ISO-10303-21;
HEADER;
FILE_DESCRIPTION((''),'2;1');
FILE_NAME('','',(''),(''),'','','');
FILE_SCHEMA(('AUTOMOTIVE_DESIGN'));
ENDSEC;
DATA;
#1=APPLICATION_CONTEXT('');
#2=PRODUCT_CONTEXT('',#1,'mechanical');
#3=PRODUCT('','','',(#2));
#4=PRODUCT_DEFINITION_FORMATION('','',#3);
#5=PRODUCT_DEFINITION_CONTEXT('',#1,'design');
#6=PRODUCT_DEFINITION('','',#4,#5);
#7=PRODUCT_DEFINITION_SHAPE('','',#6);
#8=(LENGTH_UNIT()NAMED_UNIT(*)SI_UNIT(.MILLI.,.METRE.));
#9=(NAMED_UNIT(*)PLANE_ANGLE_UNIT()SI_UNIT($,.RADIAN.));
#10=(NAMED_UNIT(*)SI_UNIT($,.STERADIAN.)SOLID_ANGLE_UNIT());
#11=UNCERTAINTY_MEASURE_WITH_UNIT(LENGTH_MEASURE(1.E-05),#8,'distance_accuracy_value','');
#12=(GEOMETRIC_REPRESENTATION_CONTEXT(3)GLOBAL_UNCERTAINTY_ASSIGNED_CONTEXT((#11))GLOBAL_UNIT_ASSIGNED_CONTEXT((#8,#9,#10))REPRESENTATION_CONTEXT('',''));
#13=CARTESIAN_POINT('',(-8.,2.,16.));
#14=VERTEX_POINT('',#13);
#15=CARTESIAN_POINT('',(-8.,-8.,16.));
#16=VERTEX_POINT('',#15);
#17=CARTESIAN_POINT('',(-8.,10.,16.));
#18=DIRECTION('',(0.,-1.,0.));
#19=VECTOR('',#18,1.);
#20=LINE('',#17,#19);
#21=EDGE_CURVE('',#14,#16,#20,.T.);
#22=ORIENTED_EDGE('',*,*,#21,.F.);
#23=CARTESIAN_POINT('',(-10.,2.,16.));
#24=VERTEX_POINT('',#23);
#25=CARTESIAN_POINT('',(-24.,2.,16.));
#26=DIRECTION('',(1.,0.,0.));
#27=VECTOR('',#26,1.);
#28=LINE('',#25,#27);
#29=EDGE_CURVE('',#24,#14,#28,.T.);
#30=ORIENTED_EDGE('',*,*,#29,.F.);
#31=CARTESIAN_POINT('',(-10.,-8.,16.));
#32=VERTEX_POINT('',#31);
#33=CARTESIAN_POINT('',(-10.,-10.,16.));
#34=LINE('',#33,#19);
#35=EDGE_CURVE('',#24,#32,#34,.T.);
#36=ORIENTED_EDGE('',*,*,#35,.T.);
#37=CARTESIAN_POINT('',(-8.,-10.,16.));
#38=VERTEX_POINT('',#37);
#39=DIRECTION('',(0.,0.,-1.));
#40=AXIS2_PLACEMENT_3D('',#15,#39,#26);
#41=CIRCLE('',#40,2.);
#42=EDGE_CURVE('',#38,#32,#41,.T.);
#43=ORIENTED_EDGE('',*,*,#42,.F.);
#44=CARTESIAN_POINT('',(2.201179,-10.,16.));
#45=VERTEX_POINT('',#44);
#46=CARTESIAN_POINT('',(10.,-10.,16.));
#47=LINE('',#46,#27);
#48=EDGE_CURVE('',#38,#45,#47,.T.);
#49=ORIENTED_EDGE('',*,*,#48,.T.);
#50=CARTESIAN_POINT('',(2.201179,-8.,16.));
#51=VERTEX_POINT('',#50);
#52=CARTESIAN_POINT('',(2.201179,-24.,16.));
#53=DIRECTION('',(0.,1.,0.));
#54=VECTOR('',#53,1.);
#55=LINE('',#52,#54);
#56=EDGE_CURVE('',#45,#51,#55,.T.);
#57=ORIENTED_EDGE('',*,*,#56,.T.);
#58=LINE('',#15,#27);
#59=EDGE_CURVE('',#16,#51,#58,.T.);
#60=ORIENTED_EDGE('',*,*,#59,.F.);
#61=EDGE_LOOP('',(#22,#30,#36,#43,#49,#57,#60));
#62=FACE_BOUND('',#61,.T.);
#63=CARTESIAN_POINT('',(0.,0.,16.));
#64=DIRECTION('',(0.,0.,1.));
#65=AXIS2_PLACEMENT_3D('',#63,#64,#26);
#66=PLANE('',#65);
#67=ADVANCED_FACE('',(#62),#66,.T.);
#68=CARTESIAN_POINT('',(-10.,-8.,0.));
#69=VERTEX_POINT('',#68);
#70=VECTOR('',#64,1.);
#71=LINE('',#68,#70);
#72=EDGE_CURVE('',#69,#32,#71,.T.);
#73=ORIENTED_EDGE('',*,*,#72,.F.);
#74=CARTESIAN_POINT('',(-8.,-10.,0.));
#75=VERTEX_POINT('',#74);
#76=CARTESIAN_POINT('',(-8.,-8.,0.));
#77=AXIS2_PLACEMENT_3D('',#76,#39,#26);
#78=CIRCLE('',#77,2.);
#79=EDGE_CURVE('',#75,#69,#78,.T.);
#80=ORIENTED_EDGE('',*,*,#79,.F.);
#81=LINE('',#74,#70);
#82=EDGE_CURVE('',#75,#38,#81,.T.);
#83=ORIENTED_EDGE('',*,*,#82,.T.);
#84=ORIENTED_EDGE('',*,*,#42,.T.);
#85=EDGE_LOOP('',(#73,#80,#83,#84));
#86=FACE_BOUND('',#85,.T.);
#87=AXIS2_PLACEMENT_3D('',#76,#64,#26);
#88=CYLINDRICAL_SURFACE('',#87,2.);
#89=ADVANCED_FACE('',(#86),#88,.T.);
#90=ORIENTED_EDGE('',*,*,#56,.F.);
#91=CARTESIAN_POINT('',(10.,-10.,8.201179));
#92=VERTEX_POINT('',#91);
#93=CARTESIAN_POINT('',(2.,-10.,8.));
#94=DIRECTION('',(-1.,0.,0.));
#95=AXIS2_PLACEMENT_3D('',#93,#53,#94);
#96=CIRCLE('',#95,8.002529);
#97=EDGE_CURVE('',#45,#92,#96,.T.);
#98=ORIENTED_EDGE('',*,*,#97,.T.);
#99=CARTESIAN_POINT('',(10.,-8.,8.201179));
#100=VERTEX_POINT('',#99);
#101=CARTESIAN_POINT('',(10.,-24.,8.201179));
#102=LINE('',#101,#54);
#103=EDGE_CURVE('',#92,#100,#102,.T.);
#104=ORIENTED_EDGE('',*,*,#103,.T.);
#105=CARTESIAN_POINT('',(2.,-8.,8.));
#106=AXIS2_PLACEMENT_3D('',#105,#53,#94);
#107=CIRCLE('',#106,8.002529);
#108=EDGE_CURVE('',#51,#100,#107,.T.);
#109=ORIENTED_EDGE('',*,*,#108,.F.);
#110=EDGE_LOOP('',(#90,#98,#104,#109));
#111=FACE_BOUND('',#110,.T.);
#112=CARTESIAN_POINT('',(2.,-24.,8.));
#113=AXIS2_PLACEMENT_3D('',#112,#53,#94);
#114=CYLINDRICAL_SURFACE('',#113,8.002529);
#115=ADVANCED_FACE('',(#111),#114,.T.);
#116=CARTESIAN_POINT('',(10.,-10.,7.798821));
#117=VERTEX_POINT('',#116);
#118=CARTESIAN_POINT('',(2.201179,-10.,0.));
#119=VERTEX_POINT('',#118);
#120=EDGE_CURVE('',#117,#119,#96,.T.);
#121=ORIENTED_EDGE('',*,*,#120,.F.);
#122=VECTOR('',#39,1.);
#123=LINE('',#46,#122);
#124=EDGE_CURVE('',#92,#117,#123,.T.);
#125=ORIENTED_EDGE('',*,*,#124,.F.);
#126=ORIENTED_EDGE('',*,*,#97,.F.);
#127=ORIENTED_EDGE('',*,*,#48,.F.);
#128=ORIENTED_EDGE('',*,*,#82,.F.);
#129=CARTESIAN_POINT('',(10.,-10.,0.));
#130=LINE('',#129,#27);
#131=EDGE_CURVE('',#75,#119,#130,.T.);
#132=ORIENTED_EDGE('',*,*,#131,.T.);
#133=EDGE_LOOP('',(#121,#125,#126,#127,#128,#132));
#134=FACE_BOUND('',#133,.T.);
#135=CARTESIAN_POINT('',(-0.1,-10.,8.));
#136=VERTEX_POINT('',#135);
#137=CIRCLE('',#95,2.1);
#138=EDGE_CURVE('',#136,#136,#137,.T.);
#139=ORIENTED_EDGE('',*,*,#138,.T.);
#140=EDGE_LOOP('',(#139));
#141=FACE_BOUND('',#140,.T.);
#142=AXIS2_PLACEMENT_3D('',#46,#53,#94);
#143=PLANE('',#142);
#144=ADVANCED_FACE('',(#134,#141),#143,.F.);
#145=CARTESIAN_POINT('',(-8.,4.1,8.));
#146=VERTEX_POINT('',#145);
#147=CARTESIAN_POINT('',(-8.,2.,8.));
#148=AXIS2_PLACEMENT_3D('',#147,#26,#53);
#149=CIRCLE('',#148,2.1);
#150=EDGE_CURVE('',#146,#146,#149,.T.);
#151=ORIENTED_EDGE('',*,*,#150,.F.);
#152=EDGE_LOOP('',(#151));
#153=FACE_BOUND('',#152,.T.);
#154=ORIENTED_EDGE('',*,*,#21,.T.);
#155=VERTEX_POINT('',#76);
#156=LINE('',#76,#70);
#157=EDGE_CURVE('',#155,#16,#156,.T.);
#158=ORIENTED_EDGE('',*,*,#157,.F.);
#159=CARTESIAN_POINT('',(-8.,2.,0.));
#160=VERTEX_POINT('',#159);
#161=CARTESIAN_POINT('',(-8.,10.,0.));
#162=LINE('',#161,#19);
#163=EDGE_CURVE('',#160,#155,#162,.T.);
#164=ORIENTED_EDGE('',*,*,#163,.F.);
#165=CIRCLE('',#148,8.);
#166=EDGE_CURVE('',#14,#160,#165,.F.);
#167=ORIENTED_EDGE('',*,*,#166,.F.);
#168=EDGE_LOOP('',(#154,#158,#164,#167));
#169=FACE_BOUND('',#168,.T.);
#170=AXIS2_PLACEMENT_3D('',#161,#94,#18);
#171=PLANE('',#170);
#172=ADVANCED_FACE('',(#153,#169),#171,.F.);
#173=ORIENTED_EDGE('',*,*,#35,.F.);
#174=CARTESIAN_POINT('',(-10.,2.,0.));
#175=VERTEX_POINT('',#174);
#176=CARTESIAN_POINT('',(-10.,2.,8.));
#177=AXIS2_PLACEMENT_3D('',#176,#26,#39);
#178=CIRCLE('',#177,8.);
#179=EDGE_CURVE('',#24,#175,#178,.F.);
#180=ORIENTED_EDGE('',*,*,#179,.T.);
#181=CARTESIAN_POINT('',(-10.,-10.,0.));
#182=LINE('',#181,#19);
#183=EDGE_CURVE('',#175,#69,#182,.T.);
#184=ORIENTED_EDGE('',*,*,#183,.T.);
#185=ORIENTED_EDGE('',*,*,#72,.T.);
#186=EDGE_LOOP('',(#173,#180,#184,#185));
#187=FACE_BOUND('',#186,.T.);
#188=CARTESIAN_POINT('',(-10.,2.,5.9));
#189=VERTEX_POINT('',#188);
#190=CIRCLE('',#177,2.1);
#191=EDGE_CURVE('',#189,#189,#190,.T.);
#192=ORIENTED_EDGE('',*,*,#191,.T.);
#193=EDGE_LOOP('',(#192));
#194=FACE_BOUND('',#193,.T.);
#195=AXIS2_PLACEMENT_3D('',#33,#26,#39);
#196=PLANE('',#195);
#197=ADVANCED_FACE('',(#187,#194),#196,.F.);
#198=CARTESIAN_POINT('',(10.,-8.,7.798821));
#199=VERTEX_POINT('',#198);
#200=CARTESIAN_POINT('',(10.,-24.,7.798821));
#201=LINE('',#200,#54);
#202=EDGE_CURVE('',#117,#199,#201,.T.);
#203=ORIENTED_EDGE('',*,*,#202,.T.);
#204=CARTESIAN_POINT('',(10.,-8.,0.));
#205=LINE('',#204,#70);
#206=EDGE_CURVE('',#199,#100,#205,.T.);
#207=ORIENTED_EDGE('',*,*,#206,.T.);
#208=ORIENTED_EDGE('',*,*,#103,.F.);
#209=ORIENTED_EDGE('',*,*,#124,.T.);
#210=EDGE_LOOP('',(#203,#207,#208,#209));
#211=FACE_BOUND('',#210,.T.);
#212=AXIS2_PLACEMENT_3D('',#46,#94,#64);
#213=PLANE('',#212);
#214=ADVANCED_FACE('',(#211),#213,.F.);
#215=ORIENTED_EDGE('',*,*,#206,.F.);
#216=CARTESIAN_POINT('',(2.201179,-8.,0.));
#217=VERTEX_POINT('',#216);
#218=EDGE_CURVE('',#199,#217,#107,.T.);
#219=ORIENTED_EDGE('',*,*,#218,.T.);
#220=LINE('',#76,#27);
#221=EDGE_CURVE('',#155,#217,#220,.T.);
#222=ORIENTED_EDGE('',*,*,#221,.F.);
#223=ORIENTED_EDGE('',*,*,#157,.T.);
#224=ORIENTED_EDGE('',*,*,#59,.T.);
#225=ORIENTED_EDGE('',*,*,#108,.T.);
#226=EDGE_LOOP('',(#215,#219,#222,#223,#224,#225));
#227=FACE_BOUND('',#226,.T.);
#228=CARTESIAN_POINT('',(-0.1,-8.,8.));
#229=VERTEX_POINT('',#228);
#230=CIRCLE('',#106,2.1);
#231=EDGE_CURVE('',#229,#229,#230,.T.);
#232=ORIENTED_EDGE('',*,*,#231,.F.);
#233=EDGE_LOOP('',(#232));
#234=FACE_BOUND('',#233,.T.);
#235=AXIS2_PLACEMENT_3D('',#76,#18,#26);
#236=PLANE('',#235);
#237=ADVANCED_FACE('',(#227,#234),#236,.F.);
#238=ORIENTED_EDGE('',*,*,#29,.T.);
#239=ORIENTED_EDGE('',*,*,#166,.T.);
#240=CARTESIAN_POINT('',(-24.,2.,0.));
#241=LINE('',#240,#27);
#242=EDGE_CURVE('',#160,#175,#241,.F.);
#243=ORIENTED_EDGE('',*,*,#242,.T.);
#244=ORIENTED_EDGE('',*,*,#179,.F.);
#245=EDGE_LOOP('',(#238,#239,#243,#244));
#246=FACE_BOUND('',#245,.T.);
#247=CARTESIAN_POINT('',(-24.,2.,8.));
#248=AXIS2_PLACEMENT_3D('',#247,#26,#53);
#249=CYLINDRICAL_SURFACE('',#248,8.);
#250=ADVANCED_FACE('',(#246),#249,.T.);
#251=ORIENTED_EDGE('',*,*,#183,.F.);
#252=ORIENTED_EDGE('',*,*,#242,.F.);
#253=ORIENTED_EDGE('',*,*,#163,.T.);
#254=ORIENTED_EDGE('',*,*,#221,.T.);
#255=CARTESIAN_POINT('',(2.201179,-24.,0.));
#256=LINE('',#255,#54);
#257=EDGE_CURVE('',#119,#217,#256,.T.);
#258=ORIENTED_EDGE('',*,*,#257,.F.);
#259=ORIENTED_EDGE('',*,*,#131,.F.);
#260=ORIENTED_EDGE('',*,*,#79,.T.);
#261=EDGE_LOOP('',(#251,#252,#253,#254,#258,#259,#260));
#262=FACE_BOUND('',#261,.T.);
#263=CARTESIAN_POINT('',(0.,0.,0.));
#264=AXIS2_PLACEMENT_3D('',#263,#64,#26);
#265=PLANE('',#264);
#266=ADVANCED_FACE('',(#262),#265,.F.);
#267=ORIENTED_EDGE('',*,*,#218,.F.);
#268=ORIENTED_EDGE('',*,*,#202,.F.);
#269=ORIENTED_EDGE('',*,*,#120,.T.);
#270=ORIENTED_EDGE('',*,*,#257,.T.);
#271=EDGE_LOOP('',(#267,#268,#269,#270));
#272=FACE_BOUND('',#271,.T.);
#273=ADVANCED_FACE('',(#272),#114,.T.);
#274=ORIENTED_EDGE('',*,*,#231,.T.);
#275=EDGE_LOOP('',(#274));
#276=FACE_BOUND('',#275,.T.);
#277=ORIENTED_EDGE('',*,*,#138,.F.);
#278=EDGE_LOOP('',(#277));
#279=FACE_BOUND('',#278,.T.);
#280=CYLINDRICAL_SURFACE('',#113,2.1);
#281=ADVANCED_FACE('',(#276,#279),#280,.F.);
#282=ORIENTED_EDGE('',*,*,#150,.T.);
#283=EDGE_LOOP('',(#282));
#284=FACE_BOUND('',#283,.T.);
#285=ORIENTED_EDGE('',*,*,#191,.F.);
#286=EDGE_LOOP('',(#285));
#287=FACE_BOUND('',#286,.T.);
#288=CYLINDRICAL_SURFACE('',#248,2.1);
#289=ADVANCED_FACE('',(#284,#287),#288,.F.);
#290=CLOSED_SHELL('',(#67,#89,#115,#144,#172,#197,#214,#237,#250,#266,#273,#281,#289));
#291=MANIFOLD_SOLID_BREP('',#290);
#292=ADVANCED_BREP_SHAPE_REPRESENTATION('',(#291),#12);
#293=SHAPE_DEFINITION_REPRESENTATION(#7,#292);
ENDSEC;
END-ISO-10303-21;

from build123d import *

# Parameters (mm, degrees)
SKETCH_1_W          = 20
SKETCH_1_H          = 20
EXTRUDE_1_DEPTH     = 16
SKETCH_2_W          = 18
SKETCH_2_H          = 18
CUT_EXTRUDE_1_DEPTH = 16
SKETCH_3_R          = 2.1
CUT_EXTRUDE_2_DEPTH = 16
SKETCH_4_R          = 2.1
CUT_EXTRUDE_3_DEPTH = 16
CUT_EXTRUDE_4_DEPTH = 16
CUT_EXTRUDE_5_DEPTH = 16
CUT_EXTRUDE_6_DEPTH = 16


with BuildPart() as part:
    # 草图1 → 凸台-拉伸1 (new body)
    with BuildSketch(Plane.XY):
        Rectangle(SKETCH_1_W, SKETCH_1_H)
    extrude(amount=EXTRUDE_1_DEPTH)

    # 草图2 → 切除-拉伸1 (cut)
    with BuildSketch(Plane.XY.offset(16)):
        with Locations((1, 1)):
            Rectangle(SKETCH_2_W, SKETCH_2_H)
    extrude(amount=-CUT_EXTRUDE_1_DEPTH, mode=Mode.SUBTRACT)

    # 草图3 → 切除-拉伸2 (cut)
    with BuildSketch(Plane(origin=(-8, 0, 0), x_dir=(0, 0, -1), z_dir=(1, 0, 0))):
        with Locations(Location((-8, 2, 0), (0, 0, 90))):
            Circle(SKETCH_3_R)
    extrude(amount=-CUT_EXTRUDE_2_DEPTH, mode=Mode.SUBTRACT)

    # 草图4 → 切除-拉伸3 (cut)
    with BuildSketch(Plane(origin=(0, -8, 0), x_dir=(1, 0, 0), z_dir=(0, 1, 0))):
        with Locations(Location((2, -8, 0), (0, 0, 180))):
            Circle(SKETCH_4_R)
    extrude(amount=-CUT_EXTRUDE_3_DEPTH, mode=Mode.SUBTRACT)

    # 草图5 → 切除-拉伸4 (cut)
    with BuildSketch(Plane(origin=(-8, 0, 0), x_dir=(0, 0, -1), z_dir=(1, 0, 0))):
        with BuildLine():
            Line((-16, 10), (-16, 2))
            ThreePointArc((-16, 2), (-13.656854261, 7.656854238), (-8.000000031, 10))
            Line((-8.000000031, 10), (-16, 10))
        make_face()
        with BuildLine():
            Line((0, 10), (-8.000000031, 10))
            ThreePointArc((-8.000000031, 10), (-2.343145762, 7.656854261), (0, 2))
            Line((0, 2), (0, 10))
        make_face()
    extrude(amount=-CUT_EXTRUDE_4_DEPTH, mode=Mode.SUBTRACT)

    # 草图6 → 切除-拉伸5 (cut)
    with BuildSketch(Plane(origin=(0, -8, 0), x_dir=(1, 0, 0), z_dir=(0, 1, 0))):
        with BuildLine():
            Line((10, -7.79882112), (10, 0))
            Line((10, 0), (2.20117888, 0))
            ThreePointArc((2.20117888, 0), (7.658642635, -2.341357365), (10, -7.79882112))
        make_face()
        with BuildLine():
            Line((10, -16), (10, -8.20117888))
            ThreePointArc((10, -8.20117888), (7.658642635, -13.658642635), (2.20117888, -16))
            Line((2.20117888, -16), (10, -16))
        make_face()
    extrude(amount=-CUT_EXTRUDE_5_DEPTH, mode=Mode.SUBTRACT)

    # 草图7 → 切除-拉伸6 (cut)
    with BuildSketch(Plane.XY.offset(16)):
        with BuildLine():
            Line((-10, -8), (-10, -10))
            Line((-10, -10), (-8, -10))
            ThreePointArc((-8, -10), (-9.414213562, -9.414213562), (-10, -8))
        make_face()
    extrude(amount=-CUT_EXTRUDE_6_DEPTH, mode=Mode.SUBTRACT)


solid = part.part
